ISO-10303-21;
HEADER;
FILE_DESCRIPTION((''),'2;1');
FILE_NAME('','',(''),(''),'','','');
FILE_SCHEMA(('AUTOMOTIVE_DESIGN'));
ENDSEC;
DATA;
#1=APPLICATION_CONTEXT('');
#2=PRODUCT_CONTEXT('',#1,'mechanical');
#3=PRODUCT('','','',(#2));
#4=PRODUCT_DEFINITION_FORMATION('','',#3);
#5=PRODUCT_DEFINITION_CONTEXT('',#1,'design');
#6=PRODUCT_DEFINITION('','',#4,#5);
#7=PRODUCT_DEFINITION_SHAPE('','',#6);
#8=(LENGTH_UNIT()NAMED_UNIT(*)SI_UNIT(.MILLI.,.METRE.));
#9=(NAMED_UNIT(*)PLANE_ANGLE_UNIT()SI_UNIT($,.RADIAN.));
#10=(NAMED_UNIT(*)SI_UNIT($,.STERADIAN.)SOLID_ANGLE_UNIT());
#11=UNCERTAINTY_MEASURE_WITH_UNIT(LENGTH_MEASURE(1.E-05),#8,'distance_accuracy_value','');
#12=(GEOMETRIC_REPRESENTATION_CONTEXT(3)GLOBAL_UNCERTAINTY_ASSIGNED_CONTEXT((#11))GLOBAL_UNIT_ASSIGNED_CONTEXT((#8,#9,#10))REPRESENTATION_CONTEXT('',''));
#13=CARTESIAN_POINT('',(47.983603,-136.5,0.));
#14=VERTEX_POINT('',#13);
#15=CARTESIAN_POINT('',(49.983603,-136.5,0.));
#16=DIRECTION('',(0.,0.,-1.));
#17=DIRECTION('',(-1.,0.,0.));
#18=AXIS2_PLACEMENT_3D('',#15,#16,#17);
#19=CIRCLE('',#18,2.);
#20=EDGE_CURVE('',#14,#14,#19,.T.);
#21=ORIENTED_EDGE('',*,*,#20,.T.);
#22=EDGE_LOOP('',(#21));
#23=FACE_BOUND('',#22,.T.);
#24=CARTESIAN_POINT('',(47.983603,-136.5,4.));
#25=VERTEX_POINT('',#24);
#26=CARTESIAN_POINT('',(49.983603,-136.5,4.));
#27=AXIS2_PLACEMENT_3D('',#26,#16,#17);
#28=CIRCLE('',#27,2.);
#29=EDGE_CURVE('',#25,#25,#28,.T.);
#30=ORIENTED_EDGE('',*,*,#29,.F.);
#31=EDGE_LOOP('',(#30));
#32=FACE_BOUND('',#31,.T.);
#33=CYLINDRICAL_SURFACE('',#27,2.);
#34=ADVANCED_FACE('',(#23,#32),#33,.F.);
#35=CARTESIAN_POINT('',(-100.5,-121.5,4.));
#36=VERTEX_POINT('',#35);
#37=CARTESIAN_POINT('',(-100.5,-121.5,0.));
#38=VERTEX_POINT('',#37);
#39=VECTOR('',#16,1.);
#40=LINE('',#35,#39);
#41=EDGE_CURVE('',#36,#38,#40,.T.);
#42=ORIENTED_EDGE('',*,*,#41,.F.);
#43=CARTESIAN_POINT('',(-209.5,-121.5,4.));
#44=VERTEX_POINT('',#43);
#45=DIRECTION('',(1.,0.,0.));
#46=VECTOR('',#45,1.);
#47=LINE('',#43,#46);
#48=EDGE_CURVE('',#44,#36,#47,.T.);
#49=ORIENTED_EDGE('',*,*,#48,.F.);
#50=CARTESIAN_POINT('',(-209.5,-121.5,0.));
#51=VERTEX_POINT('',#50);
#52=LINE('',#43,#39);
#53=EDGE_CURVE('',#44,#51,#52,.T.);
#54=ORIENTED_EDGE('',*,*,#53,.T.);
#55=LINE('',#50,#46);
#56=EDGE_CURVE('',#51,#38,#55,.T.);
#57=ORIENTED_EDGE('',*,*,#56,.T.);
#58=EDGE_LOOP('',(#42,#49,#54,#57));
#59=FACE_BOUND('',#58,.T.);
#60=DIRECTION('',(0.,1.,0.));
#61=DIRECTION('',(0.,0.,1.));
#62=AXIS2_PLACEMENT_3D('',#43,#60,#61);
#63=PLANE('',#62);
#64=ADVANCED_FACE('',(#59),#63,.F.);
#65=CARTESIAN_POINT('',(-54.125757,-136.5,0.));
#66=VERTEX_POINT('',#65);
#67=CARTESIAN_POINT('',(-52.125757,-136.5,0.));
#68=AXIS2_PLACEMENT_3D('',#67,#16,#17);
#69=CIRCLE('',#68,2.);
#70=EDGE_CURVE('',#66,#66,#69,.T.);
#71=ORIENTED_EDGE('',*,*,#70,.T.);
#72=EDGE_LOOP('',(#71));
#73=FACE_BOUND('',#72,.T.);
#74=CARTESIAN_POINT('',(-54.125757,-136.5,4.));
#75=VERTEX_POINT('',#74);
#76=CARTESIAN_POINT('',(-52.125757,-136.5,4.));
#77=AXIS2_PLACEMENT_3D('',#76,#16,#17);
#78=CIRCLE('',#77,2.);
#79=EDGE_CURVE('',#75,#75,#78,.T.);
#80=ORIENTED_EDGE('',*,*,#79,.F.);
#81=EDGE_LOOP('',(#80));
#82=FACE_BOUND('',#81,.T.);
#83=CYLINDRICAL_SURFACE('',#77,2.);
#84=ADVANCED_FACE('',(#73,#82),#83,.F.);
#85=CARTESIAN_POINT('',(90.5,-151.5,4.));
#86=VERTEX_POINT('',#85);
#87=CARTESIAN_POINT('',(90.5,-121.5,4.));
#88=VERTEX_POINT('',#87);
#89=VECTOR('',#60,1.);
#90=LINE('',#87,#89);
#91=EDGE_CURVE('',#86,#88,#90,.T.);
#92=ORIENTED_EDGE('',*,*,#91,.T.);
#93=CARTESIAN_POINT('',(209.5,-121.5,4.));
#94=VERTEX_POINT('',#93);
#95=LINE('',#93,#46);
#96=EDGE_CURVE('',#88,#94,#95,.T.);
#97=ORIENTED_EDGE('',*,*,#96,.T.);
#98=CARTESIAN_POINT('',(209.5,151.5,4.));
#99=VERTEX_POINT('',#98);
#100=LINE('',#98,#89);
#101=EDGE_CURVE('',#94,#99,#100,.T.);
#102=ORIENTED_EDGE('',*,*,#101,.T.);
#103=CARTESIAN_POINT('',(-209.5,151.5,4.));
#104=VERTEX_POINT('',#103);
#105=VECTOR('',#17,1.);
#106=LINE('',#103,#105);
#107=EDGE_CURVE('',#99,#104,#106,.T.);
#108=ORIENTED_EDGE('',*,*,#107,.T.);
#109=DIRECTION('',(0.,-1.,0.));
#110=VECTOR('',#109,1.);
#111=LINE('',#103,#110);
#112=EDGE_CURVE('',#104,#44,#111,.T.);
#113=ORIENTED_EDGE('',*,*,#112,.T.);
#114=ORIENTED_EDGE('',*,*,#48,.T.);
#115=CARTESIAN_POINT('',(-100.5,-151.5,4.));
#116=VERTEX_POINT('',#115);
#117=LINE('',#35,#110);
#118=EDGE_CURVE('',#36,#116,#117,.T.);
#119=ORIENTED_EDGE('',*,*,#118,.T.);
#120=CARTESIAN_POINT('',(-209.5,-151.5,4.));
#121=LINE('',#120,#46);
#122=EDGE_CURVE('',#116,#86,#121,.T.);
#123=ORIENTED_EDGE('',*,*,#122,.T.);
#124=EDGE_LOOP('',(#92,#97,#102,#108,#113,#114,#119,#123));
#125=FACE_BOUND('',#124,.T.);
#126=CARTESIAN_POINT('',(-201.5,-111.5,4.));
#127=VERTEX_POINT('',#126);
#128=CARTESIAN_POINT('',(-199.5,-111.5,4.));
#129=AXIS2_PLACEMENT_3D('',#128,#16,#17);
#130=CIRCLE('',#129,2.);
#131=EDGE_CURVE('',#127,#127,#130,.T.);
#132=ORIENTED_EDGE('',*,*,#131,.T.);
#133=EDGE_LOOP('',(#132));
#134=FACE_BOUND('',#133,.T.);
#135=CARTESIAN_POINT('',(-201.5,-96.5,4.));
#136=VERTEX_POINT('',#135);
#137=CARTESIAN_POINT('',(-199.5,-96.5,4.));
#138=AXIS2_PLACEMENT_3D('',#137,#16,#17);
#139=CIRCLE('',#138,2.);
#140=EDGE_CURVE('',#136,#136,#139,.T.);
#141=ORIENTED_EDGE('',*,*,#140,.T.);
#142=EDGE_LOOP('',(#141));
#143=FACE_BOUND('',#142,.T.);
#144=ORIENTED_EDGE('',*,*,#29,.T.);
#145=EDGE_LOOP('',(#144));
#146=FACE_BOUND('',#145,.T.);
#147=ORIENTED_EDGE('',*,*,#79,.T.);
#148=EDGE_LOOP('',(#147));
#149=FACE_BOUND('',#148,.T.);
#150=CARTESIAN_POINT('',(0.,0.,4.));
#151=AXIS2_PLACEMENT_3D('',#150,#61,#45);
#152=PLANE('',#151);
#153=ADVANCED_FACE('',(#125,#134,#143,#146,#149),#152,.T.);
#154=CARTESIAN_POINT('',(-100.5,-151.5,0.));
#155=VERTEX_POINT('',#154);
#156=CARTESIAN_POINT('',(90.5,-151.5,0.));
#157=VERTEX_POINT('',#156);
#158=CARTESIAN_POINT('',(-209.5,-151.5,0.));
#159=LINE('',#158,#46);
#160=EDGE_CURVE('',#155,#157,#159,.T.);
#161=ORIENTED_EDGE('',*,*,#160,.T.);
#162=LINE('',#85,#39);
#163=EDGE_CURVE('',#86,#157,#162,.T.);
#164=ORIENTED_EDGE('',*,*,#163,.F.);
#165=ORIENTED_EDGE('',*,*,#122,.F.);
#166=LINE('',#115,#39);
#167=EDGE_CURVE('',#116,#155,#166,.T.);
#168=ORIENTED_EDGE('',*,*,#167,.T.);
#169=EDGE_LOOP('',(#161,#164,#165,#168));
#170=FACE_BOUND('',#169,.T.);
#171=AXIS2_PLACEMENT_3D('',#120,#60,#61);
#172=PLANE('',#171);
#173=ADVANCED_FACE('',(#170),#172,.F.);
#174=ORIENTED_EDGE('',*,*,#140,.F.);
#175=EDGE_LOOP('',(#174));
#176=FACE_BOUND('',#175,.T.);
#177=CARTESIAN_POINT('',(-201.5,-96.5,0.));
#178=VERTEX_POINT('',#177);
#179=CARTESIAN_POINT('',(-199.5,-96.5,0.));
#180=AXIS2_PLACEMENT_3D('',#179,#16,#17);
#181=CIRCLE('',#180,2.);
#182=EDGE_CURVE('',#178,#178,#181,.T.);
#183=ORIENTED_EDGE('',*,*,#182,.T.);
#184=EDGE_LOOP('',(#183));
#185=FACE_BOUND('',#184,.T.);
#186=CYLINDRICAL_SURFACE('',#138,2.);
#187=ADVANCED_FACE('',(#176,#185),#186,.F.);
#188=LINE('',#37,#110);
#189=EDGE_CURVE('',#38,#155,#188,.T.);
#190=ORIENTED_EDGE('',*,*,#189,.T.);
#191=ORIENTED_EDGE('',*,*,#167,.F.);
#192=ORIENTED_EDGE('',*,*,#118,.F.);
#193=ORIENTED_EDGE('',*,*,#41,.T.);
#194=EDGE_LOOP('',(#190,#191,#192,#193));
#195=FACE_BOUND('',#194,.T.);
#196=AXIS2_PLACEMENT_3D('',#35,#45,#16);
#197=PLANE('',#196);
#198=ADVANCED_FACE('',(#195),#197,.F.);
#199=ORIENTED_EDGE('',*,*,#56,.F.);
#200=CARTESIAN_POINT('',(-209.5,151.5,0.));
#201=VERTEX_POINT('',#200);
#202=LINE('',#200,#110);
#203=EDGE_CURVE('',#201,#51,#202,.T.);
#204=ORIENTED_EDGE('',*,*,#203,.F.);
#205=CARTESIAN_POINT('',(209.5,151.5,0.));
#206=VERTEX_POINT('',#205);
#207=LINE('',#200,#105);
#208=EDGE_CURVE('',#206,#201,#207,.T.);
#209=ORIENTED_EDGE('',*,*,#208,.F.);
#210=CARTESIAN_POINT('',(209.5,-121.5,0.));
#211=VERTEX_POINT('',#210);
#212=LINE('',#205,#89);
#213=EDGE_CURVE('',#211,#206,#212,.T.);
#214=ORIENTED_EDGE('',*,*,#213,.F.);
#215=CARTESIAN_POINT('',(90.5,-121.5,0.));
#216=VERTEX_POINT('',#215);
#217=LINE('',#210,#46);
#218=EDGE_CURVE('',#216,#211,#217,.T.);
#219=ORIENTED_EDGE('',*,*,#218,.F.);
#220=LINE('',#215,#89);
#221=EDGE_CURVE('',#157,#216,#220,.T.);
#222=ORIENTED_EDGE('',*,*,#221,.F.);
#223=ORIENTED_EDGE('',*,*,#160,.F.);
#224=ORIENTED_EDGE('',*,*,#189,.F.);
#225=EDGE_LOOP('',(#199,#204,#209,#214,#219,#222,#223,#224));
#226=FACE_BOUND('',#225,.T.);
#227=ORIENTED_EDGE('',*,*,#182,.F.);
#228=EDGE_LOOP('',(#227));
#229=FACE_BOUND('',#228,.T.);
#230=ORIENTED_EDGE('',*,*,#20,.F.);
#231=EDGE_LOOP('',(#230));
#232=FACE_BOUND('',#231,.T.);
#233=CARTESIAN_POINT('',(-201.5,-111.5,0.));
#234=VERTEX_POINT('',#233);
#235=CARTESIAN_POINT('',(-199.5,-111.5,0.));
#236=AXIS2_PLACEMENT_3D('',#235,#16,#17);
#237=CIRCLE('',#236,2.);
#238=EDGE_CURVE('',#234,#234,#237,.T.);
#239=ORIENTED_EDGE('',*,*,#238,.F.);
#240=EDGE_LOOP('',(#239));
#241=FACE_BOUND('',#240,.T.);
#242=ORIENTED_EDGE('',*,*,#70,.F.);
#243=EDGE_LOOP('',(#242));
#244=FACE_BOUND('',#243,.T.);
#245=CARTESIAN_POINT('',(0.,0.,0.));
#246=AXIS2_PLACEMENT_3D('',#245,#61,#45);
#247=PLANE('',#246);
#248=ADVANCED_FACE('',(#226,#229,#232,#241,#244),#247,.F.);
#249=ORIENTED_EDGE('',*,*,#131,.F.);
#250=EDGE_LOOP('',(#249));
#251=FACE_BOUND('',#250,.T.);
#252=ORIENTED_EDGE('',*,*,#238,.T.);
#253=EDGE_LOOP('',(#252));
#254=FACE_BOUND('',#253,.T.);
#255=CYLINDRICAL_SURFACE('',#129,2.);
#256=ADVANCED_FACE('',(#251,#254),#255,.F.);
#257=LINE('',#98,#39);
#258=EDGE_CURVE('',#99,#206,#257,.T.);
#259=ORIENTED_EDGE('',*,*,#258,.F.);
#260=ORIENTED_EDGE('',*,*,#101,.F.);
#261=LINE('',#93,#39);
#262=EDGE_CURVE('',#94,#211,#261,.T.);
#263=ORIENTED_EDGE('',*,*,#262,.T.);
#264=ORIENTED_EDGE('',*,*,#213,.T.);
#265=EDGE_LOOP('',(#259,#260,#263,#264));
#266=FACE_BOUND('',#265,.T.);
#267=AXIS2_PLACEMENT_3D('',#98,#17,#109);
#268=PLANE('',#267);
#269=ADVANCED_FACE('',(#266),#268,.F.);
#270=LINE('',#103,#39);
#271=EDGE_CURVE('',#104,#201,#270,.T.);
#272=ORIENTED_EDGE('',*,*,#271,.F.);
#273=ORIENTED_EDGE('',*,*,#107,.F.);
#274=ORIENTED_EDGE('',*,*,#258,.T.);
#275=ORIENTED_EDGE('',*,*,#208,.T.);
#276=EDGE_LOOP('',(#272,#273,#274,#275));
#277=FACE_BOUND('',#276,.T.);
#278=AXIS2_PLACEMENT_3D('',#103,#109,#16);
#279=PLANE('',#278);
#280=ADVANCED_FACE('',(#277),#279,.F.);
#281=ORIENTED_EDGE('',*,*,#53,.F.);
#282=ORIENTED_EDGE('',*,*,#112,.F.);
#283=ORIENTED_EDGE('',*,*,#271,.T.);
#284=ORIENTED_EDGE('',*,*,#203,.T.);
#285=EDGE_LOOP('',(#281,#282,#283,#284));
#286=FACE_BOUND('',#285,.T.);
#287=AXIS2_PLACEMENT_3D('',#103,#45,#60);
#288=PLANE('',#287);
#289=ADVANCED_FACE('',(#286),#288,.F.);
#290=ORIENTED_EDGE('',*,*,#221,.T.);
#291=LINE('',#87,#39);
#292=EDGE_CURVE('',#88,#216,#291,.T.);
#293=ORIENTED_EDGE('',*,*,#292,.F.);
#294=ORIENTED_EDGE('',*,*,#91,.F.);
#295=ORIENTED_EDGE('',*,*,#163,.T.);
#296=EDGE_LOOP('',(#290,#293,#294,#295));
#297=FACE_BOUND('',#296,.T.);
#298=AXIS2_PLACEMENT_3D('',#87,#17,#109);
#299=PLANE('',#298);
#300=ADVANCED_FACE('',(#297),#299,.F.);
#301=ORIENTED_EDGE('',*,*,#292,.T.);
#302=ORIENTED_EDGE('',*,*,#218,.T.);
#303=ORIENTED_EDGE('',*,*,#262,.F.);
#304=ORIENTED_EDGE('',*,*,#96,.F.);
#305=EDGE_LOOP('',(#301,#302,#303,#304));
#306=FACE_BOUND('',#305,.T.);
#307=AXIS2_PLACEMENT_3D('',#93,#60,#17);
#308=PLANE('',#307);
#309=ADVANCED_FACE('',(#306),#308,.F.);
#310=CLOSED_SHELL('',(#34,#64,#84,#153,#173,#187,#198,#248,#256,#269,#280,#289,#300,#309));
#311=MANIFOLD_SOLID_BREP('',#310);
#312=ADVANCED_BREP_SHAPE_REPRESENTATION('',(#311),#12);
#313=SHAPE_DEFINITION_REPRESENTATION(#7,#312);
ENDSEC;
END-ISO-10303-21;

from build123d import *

# Parameters (mm, degrees)
SKETCH1_W           = 419
SKETCH1_H           = 303
BOSS_EXTRUDE1_DEPTH = 4
SKETCH2_W           = 119
SKETCH2_H           = 30
SKETCH2_W_2         = 109
CUT_EXTRUDE1_DEPTH  = 4
SKETCH3_R           = 2
CUT_EXTRUDE2_DEPTH  = 259.570106548
SKETCH4_R           = 2
CUT_EXTRUDE3_DEPTH  = 259.570106548


with BuildPart() as part:
    # Sketch1 → Boss-Extrude1 (new body)
    with BuildSketch(Plane.XY):
        Rectangle(SKETCH1_W, SKETCH1_H)
    extrude(amount=BOSS_EXTRUDE1_DEPTH)

    # Sketch2 → Cut-Extrude1 (cut)
    with BuildSketch(Plane(origin=(0, 0, 0), x_dir=(-1, 0, 0), z_dir=(0, 0, -1))):
        with Locations((-150, -136.5)):
            Rectangle(SKETCH2_W, SKETCH2_H)
        with Locations((155, -136.5)):
            Rectangle(SKETCH2_W_2, SKETCH2_H)
    extrude(amount=-CUT_EXTRUDE1_DEPTH, mode=Mode.SUBTRACT)

    # Sketch3 → Cut-Extrude2 (cut, through all)
    with BuildSketch(Plane(origin=(0, 0, 0), x_dir=(-1, 0, 0), z_dir=(0, 0, -1))):
        with Locations((-49.983602513, -136.5)):
            Circle(SKETCH3_R)
        with Locations((52.125756906, -136.5)):
            Circle(SKETCH3_R)
    extrude(amount=-CUT_EXTRUDE2_DEPTH, mode=Mode.SUBTRACT)

    # Sketch4 → Cut-Extrude3 (cut, through all)
    with BuildSketch(Plane(origin=(0, 0, 0), x_dir=(-1, 0, 0), z_dir=(0, 0, -1))):
        with Locations((199.5, -111.5)):
            Circle(SKETCH4_R)
        with Locations((199.5, -96.5)):
            Circle(SKETCH4_R)
    extrude(amount=-CUT_EXTRUDE3_DEPTH, mode=Mode.SUBTRACT)


solid = part.part
